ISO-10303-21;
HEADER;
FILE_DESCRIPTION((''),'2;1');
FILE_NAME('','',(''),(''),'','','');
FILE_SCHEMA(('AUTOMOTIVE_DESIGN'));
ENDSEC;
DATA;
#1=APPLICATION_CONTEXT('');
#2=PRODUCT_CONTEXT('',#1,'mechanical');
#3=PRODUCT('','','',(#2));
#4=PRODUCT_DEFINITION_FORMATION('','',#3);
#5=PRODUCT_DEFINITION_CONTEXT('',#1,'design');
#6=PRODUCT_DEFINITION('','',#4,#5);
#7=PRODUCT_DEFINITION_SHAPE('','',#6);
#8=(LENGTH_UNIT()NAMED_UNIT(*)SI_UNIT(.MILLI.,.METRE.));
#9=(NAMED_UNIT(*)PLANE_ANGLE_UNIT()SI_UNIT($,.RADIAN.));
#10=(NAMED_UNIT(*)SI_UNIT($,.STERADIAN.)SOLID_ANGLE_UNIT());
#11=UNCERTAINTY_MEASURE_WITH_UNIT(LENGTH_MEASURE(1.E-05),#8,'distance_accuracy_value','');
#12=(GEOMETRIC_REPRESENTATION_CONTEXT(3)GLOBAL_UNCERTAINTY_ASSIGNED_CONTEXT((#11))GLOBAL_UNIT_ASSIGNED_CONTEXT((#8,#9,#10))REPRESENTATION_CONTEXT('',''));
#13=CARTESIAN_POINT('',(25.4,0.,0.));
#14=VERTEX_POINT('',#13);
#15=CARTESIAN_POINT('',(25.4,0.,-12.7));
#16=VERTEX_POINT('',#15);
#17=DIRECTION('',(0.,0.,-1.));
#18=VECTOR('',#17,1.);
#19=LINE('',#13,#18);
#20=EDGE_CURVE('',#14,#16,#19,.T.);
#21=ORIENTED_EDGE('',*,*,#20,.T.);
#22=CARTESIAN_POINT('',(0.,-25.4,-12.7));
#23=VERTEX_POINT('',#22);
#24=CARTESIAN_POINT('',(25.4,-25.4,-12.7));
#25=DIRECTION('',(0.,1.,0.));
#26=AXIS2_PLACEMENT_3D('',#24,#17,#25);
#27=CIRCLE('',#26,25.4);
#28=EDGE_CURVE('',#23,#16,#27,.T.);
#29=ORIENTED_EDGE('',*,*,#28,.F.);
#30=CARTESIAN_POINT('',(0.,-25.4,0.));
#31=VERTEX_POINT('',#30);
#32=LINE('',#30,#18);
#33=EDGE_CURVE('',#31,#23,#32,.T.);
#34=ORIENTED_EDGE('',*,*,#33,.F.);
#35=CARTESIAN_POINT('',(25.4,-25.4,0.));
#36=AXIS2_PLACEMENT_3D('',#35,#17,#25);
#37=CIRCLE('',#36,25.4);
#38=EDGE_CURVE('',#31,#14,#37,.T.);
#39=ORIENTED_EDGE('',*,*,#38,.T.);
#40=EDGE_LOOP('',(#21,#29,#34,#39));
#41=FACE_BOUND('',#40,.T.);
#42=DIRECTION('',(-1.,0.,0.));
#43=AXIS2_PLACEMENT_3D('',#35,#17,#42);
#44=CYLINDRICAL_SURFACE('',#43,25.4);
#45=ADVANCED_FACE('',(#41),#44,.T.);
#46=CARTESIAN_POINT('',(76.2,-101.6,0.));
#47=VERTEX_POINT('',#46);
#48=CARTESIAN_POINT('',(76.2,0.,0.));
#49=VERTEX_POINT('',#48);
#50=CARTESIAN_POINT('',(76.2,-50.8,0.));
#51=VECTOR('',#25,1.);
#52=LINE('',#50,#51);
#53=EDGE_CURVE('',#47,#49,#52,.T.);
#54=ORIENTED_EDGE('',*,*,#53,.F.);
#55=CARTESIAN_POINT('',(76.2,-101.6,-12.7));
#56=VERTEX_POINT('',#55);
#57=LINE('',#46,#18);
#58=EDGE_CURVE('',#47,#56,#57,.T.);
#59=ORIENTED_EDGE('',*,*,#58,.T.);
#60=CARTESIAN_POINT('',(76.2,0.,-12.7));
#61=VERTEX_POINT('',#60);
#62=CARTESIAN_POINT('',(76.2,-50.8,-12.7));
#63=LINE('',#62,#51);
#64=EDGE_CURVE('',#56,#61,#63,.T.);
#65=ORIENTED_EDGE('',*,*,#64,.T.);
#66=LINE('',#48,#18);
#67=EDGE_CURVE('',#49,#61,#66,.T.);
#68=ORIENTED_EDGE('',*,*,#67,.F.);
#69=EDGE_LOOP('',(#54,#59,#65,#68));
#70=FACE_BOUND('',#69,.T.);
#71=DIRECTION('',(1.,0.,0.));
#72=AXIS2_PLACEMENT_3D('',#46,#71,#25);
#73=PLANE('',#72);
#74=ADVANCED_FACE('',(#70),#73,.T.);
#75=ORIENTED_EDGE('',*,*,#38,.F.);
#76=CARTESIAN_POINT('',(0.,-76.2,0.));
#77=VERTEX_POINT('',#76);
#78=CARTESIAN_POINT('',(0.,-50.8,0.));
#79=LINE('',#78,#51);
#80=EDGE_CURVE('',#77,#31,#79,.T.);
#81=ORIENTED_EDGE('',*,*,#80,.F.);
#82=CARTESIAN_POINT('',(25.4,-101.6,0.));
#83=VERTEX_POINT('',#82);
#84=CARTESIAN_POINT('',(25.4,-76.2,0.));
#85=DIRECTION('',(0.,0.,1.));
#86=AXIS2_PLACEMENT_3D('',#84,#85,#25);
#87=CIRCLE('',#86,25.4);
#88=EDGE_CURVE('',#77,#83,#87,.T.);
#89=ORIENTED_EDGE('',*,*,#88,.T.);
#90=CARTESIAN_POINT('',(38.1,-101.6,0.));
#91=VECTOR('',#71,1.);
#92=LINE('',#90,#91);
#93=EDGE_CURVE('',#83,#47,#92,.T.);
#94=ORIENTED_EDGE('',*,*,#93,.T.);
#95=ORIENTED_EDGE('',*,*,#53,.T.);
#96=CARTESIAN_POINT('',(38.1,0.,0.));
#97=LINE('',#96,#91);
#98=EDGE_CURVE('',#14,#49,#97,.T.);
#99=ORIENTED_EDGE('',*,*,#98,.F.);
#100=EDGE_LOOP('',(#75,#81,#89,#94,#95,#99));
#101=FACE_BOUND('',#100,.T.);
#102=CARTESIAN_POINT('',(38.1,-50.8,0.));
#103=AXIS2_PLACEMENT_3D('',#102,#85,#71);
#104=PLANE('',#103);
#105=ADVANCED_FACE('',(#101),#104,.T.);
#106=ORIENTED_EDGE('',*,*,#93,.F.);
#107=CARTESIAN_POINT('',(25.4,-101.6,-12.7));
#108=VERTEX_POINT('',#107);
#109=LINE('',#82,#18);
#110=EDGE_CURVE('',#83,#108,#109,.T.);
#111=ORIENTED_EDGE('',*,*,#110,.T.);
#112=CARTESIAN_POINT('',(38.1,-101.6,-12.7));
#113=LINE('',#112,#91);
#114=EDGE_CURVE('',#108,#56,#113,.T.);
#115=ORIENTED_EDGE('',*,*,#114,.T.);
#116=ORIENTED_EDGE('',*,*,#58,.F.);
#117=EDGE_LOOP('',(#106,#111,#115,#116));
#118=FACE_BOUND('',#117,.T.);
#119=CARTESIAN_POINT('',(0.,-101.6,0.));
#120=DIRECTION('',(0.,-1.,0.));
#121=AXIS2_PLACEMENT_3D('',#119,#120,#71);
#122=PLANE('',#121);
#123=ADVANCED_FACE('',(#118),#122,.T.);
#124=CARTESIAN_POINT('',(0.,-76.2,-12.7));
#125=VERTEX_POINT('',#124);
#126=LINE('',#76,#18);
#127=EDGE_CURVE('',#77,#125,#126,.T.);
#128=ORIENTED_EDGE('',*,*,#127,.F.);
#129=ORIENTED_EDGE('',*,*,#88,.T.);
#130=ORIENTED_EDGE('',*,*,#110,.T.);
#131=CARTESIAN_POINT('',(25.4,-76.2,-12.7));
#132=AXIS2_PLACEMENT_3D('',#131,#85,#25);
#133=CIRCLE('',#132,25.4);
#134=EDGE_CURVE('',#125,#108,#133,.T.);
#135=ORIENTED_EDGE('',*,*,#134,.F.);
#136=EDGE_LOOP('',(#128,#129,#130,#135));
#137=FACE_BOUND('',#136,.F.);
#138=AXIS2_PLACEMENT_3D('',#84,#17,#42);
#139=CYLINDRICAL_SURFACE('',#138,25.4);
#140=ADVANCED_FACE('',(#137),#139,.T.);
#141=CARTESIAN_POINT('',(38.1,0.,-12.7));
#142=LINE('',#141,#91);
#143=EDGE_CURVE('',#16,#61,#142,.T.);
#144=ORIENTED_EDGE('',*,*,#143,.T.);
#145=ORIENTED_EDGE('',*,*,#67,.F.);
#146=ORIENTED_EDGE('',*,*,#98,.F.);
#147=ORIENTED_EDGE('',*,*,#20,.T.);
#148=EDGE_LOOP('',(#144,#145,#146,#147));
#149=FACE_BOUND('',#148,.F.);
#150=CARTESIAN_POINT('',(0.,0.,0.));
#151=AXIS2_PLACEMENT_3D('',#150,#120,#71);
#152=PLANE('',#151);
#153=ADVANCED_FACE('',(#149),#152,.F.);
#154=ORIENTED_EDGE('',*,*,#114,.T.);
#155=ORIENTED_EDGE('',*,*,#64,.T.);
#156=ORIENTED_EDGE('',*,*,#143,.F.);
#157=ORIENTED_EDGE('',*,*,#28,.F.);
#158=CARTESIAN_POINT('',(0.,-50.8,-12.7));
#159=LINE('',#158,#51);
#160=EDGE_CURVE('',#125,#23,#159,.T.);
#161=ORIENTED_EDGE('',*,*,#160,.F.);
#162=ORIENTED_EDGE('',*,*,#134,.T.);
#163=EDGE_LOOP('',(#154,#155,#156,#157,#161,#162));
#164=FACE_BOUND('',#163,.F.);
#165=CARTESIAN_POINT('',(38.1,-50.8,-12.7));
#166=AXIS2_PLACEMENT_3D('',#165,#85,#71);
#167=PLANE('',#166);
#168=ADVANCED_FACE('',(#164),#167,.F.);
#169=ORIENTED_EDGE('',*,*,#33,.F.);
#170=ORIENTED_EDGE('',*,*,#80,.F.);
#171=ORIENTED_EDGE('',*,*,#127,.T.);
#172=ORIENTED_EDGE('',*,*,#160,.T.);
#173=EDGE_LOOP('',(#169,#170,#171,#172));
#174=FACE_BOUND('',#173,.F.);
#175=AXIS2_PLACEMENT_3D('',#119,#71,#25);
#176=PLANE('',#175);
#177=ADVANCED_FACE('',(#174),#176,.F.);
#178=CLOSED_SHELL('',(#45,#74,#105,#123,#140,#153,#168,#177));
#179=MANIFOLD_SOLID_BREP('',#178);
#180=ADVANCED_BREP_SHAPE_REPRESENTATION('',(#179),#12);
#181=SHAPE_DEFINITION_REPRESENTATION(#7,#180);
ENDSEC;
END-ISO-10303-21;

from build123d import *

# Parameters (mm, degrees)
F0_W     = 76.2
F0_H     = 101.6
F1_DEPTH = 12.7
F2_R     = 25.4


with BuildPart() as f1:
    # F0 (on Top) → F1 (new body)
    with BuildSketch(Plane.XY):
        with Locations((38.1, -50.8)):
            Rectangle(F0_W, F0_H)
    extrude(amount=-F1_DEPTH)

    # F2
    f2_edges = [f1.edges().sort_by_distance(p)[0] for p in [
        (0, 0, -6.35),
        (0, -101.6, -6.35),
    ]]
    fillet(f2_edges, radius=F2_R)


solid = f1.part
